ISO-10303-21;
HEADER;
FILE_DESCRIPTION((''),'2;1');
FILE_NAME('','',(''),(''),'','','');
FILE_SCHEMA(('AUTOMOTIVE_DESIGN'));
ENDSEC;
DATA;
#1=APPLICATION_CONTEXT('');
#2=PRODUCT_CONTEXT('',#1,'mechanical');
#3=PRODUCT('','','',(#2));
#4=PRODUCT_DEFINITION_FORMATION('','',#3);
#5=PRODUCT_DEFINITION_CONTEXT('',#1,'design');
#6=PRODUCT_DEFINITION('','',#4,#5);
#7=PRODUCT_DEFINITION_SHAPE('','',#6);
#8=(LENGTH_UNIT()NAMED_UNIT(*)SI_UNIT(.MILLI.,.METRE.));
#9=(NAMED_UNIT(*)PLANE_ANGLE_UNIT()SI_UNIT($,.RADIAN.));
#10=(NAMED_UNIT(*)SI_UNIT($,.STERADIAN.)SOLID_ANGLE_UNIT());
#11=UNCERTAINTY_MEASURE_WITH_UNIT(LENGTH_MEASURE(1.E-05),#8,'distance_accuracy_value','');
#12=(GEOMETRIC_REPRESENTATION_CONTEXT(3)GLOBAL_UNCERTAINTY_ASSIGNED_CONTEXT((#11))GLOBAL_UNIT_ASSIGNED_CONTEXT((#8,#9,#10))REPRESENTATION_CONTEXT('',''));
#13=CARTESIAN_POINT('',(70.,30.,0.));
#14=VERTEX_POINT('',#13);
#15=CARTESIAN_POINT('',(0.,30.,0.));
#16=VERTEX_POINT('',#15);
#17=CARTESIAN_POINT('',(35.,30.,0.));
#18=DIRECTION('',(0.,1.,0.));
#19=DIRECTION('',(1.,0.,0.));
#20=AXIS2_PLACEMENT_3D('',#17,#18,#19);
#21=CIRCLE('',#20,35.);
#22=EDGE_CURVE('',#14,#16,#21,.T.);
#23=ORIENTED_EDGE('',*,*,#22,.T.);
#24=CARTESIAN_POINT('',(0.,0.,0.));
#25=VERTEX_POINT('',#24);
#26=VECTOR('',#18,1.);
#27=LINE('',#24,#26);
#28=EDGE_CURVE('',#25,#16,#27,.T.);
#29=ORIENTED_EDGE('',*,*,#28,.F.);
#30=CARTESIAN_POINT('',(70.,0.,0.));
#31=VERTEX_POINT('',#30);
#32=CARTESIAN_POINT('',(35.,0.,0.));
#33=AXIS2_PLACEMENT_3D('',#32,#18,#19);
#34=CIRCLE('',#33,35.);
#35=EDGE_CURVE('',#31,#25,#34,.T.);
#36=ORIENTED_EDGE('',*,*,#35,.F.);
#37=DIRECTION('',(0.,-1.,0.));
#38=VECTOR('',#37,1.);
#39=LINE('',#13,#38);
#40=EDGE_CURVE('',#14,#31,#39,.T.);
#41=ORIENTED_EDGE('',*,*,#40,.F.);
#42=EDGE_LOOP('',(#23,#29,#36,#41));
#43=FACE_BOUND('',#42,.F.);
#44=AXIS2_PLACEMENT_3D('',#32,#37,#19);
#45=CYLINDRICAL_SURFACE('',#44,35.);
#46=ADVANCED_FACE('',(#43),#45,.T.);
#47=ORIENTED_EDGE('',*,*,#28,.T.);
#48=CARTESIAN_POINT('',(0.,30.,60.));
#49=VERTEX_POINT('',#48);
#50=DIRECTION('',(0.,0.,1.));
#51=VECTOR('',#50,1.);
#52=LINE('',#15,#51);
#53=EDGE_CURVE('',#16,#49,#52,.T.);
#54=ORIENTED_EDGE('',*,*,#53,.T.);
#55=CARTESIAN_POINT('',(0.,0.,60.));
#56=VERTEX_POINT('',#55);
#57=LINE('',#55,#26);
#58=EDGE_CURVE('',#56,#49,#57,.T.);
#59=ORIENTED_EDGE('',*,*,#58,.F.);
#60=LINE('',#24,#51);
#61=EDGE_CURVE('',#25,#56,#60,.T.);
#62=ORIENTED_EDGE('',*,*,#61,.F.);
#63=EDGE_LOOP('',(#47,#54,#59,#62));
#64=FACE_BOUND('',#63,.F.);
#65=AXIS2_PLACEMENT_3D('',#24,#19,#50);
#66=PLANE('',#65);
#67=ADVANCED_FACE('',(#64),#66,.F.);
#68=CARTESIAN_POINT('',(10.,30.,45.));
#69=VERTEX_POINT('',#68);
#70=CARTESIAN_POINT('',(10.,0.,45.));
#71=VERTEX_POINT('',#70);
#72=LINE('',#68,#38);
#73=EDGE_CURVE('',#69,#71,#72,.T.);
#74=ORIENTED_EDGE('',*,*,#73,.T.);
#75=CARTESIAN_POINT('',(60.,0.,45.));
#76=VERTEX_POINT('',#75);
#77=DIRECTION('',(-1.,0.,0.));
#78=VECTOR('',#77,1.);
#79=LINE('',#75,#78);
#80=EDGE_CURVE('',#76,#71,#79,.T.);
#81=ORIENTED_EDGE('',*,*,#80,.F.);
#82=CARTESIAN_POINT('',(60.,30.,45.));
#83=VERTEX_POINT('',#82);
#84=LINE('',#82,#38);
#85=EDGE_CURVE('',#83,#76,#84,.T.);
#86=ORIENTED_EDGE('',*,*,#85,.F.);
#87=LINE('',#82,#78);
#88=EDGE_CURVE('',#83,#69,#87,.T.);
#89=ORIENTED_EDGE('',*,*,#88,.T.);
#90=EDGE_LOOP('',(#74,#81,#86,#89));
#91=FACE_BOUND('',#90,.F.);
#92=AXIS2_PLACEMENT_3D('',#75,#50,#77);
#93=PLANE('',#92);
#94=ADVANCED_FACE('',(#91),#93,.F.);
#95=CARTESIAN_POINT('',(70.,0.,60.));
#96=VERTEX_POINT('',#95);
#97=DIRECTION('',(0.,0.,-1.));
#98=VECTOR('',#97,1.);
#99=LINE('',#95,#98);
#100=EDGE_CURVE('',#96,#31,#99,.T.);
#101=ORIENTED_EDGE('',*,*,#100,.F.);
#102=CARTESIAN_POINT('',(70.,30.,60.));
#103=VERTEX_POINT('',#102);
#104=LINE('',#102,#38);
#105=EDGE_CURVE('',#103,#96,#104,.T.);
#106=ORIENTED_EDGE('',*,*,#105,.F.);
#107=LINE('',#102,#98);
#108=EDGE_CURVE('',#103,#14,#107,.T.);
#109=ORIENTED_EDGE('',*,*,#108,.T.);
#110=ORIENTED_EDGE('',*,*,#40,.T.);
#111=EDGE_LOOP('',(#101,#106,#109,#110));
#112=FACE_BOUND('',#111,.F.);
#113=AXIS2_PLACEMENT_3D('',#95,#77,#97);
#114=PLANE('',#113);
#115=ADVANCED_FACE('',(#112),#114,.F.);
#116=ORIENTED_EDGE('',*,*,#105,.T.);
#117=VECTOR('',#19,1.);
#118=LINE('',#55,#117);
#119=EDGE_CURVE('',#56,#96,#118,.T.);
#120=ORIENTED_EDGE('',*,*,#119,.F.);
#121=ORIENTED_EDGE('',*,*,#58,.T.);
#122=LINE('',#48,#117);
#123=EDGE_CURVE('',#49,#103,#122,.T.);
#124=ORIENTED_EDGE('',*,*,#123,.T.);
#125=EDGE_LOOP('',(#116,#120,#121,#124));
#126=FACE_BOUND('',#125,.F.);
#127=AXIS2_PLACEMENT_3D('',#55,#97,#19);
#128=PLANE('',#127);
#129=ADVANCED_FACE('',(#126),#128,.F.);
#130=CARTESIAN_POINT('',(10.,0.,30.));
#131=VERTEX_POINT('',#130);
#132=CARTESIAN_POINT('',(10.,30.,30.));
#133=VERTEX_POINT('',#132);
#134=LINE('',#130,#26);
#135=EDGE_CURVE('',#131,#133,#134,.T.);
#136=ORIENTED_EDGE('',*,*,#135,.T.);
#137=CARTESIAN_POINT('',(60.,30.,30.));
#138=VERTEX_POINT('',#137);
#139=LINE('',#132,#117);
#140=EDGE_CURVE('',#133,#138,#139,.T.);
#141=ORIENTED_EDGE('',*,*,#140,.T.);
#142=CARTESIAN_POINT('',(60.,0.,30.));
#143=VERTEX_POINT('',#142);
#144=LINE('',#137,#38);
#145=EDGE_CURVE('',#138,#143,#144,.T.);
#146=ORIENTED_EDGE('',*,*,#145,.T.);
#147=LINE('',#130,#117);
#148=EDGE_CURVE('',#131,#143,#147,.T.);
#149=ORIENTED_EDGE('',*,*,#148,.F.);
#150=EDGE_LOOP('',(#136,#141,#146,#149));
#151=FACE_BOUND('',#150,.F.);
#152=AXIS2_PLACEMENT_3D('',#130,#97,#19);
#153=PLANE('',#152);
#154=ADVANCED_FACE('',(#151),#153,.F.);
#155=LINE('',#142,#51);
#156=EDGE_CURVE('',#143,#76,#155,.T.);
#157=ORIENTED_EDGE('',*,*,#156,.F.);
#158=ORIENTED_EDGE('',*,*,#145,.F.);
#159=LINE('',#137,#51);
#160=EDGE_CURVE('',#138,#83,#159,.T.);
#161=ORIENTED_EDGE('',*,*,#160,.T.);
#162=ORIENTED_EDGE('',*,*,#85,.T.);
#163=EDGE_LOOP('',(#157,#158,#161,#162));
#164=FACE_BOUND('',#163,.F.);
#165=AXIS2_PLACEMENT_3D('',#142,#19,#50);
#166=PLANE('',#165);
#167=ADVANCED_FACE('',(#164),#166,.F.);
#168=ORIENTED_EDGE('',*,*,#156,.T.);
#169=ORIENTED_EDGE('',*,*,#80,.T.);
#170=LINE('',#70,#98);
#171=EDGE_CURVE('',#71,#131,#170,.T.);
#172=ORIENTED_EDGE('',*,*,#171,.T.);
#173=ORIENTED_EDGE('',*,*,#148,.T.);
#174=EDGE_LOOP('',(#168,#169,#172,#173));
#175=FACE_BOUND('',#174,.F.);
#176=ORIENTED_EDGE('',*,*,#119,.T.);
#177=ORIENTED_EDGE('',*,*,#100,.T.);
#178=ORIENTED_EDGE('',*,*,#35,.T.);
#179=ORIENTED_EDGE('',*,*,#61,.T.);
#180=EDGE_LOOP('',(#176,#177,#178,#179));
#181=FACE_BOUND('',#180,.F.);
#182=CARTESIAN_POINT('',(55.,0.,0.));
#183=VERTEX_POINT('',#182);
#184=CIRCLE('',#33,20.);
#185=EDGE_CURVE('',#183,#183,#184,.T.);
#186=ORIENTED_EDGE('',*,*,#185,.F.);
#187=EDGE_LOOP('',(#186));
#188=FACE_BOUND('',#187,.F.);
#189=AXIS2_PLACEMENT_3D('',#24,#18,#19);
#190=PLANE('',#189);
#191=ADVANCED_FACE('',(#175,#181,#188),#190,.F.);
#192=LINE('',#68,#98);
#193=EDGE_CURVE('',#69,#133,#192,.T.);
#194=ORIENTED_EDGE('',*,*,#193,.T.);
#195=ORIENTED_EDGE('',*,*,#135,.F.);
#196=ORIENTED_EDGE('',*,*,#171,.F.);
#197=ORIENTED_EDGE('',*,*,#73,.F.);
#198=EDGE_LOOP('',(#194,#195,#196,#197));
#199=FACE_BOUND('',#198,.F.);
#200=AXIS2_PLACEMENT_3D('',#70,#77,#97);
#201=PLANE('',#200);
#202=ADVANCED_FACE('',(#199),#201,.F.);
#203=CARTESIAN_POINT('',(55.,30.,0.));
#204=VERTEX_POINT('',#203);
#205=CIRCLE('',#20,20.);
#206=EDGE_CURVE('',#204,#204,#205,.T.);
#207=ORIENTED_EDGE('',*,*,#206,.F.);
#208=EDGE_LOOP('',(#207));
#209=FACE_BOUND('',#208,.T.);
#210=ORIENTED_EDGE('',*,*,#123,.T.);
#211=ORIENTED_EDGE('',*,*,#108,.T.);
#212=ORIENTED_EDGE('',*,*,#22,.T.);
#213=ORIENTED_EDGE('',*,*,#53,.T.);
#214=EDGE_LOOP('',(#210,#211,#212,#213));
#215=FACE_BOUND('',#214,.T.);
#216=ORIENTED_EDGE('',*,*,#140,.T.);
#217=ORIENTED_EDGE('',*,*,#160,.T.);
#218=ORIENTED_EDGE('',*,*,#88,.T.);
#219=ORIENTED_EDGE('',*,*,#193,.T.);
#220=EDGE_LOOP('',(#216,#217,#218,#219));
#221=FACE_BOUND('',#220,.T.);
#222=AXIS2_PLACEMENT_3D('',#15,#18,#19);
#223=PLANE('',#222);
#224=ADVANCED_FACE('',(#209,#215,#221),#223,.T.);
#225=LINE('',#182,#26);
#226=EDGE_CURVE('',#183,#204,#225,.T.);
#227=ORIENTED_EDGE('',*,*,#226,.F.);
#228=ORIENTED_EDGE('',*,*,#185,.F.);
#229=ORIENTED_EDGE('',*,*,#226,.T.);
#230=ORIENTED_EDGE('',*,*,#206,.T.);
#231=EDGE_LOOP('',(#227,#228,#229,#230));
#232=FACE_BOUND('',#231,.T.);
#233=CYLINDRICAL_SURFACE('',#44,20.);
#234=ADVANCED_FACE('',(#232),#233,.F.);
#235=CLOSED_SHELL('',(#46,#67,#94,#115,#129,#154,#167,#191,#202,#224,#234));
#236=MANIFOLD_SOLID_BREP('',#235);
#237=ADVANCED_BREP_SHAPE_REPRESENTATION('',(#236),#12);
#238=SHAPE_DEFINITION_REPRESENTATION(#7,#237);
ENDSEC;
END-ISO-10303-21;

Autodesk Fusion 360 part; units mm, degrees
sketch "Sketch1" plane through (0, 0, 0) normal (0, 1, 0) x (1, 0, 0)
  line L0 (0, 0) -> (0, -60)
  line L1 (0, -60) -> (70, -60)
  line L2 (70, -60) -> (70, 0)
  arc A0 (70, 0) -> (0, 0) centre (35, 0) ccw
  line L3 (10, -30) -> (60, -30)
  line L4 (60, -30) -> (60, -45)
  line L5 (60, -45) -> (10, -45)
  line L6 (10, -45) -> (10, -30)
  circle A1 centre (35, 0) radius 20
  dimension "d1" = 60
  dimension "d2" = 70
  dimension "d5" = 50
  dimension "d6" = 15
  dimension "d7" = 40
extrude "Extrude1" add sketch "Sketch1" along normal blind 10
extrude "Extrude2" add 1 faces at (43.3333, 10, 55) along direction (0, 1, 0) blind 20
